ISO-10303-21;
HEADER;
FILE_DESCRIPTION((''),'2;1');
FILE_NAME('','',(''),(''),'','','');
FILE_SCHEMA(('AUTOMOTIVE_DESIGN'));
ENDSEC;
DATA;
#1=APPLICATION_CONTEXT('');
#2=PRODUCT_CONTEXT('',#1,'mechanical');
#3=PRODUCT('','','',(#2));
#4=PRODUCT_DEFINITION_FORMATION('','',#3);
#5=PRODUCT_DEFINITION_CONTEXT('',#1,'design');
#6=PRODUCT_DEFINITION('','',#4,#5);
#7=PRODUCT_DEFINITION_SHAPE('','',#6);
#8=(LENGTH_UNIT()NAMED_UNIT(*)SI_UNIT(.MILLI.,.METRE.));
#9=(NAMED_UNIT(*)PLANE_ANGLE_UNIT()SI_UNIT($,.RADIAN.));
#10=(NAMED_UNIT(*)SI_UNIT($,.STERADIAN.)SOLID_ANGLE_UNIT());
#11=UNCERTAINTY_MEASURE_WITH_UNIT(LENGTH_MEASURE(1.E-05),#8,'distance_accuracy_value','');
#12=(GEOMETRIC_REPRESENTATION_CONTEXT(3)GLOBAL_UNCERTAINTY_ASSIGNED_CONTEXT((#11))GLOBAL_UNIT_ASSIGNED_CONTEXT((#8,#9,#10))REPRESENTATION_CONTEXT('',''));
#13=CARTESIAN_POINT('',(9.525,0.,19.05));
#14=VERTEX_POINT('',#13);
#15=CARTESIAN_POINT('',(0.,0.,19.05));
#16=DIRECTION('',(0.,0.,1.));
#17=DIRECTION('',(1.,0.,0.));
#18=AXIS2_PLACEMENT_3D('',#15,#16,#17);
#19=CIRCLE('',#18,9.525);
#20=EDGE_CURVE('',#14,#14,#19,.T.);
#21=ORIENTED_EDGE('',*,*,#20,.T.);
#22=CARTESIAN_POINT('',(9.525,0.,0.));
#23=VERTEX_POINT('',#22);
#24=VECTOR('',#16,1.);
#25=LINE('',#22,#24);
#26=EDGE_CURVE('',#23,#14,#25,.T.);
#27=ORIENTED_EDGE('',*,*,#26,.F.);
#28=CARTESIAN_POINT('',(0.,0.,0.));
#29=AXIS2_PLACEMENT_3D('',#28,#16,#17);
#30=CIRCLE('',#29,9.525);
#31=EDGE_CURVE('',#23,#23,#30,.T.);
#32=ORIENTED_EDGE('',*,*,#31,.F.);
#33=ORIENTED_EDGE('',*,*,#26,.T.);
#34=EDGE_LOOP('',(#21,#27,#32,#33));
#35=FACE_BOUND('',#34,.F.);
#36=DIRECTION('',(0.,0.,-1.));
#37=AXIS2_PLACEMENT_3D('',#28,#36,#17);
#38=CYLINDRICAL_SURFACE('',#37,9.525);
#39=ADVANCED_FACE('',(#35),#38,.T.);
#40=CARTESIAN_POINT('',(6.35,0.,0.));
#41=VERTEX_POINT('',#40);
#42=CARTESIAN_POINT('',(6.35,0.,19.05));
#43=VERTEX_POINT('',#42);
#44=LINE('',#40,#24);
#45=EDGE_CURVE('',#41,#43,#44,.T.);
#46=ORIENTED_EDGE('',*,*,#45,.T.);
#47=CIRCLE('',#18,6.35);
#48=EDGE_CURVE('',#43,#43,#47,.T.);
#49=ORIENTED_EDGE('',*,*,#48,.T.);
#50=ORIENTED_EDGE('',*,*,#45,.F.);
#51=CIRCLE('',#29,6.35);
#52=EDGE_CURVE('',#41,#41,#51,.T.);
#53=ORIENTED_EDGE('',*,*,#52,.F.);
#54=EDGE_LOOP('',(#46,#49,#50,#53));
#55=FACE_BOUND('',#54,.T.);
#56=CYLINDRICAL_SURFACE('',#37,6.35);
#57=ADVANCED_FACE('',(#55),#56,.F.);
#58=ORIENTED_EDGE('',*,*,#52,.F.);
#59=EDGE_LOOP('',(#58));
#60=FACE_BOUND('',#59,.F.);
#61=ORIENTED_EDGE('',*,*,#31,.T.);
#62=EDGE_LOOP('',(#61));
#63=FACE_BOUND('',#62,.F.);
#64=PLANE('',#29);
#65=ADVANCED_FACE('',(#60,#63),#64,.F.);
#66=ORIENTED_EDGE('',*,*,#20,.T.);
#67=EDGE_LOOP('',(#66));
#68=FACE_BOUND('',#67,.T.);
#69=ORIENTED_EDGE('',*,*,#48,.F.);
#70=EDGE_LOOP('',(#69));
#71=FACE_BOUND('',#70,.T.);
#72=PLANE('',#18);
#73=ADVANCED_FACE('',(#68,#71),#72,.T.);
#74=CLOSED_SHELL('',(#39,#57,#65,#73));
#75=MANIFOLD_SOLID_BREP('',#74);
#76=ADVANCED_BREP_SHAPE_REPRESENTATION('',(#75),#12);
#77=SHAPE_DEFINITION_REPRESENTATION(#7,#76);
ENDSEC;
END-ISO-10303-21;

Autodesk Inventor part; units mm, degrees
ref_plane "YZ Plane" through (0, 0, 0) normal (1, 0, 0) x (0, 1, 0)
ref_plane "XZ Plane" through (0, 0, 0) normal (0, 1, 0) x (-1, 0, 0)
ref_plane "XY Plane" through (0, 0, 0) normal (0, 0, 1) x (1, 0, 0)
sketch "Sketch1" plane through (0, 0, 0) normal (0, 0, 1) x (1, 0, 0)
  circle A0 centre (0, 0) radius 9.525
  circle A1 centre (0, 0) radius 6.35
  dimension "d0" = 19.05
  dimension "d1" = 12.7
extrude "Extrusion1" add sketch "Sketch1" along normal blind 19.05
properties part number "spacer"
